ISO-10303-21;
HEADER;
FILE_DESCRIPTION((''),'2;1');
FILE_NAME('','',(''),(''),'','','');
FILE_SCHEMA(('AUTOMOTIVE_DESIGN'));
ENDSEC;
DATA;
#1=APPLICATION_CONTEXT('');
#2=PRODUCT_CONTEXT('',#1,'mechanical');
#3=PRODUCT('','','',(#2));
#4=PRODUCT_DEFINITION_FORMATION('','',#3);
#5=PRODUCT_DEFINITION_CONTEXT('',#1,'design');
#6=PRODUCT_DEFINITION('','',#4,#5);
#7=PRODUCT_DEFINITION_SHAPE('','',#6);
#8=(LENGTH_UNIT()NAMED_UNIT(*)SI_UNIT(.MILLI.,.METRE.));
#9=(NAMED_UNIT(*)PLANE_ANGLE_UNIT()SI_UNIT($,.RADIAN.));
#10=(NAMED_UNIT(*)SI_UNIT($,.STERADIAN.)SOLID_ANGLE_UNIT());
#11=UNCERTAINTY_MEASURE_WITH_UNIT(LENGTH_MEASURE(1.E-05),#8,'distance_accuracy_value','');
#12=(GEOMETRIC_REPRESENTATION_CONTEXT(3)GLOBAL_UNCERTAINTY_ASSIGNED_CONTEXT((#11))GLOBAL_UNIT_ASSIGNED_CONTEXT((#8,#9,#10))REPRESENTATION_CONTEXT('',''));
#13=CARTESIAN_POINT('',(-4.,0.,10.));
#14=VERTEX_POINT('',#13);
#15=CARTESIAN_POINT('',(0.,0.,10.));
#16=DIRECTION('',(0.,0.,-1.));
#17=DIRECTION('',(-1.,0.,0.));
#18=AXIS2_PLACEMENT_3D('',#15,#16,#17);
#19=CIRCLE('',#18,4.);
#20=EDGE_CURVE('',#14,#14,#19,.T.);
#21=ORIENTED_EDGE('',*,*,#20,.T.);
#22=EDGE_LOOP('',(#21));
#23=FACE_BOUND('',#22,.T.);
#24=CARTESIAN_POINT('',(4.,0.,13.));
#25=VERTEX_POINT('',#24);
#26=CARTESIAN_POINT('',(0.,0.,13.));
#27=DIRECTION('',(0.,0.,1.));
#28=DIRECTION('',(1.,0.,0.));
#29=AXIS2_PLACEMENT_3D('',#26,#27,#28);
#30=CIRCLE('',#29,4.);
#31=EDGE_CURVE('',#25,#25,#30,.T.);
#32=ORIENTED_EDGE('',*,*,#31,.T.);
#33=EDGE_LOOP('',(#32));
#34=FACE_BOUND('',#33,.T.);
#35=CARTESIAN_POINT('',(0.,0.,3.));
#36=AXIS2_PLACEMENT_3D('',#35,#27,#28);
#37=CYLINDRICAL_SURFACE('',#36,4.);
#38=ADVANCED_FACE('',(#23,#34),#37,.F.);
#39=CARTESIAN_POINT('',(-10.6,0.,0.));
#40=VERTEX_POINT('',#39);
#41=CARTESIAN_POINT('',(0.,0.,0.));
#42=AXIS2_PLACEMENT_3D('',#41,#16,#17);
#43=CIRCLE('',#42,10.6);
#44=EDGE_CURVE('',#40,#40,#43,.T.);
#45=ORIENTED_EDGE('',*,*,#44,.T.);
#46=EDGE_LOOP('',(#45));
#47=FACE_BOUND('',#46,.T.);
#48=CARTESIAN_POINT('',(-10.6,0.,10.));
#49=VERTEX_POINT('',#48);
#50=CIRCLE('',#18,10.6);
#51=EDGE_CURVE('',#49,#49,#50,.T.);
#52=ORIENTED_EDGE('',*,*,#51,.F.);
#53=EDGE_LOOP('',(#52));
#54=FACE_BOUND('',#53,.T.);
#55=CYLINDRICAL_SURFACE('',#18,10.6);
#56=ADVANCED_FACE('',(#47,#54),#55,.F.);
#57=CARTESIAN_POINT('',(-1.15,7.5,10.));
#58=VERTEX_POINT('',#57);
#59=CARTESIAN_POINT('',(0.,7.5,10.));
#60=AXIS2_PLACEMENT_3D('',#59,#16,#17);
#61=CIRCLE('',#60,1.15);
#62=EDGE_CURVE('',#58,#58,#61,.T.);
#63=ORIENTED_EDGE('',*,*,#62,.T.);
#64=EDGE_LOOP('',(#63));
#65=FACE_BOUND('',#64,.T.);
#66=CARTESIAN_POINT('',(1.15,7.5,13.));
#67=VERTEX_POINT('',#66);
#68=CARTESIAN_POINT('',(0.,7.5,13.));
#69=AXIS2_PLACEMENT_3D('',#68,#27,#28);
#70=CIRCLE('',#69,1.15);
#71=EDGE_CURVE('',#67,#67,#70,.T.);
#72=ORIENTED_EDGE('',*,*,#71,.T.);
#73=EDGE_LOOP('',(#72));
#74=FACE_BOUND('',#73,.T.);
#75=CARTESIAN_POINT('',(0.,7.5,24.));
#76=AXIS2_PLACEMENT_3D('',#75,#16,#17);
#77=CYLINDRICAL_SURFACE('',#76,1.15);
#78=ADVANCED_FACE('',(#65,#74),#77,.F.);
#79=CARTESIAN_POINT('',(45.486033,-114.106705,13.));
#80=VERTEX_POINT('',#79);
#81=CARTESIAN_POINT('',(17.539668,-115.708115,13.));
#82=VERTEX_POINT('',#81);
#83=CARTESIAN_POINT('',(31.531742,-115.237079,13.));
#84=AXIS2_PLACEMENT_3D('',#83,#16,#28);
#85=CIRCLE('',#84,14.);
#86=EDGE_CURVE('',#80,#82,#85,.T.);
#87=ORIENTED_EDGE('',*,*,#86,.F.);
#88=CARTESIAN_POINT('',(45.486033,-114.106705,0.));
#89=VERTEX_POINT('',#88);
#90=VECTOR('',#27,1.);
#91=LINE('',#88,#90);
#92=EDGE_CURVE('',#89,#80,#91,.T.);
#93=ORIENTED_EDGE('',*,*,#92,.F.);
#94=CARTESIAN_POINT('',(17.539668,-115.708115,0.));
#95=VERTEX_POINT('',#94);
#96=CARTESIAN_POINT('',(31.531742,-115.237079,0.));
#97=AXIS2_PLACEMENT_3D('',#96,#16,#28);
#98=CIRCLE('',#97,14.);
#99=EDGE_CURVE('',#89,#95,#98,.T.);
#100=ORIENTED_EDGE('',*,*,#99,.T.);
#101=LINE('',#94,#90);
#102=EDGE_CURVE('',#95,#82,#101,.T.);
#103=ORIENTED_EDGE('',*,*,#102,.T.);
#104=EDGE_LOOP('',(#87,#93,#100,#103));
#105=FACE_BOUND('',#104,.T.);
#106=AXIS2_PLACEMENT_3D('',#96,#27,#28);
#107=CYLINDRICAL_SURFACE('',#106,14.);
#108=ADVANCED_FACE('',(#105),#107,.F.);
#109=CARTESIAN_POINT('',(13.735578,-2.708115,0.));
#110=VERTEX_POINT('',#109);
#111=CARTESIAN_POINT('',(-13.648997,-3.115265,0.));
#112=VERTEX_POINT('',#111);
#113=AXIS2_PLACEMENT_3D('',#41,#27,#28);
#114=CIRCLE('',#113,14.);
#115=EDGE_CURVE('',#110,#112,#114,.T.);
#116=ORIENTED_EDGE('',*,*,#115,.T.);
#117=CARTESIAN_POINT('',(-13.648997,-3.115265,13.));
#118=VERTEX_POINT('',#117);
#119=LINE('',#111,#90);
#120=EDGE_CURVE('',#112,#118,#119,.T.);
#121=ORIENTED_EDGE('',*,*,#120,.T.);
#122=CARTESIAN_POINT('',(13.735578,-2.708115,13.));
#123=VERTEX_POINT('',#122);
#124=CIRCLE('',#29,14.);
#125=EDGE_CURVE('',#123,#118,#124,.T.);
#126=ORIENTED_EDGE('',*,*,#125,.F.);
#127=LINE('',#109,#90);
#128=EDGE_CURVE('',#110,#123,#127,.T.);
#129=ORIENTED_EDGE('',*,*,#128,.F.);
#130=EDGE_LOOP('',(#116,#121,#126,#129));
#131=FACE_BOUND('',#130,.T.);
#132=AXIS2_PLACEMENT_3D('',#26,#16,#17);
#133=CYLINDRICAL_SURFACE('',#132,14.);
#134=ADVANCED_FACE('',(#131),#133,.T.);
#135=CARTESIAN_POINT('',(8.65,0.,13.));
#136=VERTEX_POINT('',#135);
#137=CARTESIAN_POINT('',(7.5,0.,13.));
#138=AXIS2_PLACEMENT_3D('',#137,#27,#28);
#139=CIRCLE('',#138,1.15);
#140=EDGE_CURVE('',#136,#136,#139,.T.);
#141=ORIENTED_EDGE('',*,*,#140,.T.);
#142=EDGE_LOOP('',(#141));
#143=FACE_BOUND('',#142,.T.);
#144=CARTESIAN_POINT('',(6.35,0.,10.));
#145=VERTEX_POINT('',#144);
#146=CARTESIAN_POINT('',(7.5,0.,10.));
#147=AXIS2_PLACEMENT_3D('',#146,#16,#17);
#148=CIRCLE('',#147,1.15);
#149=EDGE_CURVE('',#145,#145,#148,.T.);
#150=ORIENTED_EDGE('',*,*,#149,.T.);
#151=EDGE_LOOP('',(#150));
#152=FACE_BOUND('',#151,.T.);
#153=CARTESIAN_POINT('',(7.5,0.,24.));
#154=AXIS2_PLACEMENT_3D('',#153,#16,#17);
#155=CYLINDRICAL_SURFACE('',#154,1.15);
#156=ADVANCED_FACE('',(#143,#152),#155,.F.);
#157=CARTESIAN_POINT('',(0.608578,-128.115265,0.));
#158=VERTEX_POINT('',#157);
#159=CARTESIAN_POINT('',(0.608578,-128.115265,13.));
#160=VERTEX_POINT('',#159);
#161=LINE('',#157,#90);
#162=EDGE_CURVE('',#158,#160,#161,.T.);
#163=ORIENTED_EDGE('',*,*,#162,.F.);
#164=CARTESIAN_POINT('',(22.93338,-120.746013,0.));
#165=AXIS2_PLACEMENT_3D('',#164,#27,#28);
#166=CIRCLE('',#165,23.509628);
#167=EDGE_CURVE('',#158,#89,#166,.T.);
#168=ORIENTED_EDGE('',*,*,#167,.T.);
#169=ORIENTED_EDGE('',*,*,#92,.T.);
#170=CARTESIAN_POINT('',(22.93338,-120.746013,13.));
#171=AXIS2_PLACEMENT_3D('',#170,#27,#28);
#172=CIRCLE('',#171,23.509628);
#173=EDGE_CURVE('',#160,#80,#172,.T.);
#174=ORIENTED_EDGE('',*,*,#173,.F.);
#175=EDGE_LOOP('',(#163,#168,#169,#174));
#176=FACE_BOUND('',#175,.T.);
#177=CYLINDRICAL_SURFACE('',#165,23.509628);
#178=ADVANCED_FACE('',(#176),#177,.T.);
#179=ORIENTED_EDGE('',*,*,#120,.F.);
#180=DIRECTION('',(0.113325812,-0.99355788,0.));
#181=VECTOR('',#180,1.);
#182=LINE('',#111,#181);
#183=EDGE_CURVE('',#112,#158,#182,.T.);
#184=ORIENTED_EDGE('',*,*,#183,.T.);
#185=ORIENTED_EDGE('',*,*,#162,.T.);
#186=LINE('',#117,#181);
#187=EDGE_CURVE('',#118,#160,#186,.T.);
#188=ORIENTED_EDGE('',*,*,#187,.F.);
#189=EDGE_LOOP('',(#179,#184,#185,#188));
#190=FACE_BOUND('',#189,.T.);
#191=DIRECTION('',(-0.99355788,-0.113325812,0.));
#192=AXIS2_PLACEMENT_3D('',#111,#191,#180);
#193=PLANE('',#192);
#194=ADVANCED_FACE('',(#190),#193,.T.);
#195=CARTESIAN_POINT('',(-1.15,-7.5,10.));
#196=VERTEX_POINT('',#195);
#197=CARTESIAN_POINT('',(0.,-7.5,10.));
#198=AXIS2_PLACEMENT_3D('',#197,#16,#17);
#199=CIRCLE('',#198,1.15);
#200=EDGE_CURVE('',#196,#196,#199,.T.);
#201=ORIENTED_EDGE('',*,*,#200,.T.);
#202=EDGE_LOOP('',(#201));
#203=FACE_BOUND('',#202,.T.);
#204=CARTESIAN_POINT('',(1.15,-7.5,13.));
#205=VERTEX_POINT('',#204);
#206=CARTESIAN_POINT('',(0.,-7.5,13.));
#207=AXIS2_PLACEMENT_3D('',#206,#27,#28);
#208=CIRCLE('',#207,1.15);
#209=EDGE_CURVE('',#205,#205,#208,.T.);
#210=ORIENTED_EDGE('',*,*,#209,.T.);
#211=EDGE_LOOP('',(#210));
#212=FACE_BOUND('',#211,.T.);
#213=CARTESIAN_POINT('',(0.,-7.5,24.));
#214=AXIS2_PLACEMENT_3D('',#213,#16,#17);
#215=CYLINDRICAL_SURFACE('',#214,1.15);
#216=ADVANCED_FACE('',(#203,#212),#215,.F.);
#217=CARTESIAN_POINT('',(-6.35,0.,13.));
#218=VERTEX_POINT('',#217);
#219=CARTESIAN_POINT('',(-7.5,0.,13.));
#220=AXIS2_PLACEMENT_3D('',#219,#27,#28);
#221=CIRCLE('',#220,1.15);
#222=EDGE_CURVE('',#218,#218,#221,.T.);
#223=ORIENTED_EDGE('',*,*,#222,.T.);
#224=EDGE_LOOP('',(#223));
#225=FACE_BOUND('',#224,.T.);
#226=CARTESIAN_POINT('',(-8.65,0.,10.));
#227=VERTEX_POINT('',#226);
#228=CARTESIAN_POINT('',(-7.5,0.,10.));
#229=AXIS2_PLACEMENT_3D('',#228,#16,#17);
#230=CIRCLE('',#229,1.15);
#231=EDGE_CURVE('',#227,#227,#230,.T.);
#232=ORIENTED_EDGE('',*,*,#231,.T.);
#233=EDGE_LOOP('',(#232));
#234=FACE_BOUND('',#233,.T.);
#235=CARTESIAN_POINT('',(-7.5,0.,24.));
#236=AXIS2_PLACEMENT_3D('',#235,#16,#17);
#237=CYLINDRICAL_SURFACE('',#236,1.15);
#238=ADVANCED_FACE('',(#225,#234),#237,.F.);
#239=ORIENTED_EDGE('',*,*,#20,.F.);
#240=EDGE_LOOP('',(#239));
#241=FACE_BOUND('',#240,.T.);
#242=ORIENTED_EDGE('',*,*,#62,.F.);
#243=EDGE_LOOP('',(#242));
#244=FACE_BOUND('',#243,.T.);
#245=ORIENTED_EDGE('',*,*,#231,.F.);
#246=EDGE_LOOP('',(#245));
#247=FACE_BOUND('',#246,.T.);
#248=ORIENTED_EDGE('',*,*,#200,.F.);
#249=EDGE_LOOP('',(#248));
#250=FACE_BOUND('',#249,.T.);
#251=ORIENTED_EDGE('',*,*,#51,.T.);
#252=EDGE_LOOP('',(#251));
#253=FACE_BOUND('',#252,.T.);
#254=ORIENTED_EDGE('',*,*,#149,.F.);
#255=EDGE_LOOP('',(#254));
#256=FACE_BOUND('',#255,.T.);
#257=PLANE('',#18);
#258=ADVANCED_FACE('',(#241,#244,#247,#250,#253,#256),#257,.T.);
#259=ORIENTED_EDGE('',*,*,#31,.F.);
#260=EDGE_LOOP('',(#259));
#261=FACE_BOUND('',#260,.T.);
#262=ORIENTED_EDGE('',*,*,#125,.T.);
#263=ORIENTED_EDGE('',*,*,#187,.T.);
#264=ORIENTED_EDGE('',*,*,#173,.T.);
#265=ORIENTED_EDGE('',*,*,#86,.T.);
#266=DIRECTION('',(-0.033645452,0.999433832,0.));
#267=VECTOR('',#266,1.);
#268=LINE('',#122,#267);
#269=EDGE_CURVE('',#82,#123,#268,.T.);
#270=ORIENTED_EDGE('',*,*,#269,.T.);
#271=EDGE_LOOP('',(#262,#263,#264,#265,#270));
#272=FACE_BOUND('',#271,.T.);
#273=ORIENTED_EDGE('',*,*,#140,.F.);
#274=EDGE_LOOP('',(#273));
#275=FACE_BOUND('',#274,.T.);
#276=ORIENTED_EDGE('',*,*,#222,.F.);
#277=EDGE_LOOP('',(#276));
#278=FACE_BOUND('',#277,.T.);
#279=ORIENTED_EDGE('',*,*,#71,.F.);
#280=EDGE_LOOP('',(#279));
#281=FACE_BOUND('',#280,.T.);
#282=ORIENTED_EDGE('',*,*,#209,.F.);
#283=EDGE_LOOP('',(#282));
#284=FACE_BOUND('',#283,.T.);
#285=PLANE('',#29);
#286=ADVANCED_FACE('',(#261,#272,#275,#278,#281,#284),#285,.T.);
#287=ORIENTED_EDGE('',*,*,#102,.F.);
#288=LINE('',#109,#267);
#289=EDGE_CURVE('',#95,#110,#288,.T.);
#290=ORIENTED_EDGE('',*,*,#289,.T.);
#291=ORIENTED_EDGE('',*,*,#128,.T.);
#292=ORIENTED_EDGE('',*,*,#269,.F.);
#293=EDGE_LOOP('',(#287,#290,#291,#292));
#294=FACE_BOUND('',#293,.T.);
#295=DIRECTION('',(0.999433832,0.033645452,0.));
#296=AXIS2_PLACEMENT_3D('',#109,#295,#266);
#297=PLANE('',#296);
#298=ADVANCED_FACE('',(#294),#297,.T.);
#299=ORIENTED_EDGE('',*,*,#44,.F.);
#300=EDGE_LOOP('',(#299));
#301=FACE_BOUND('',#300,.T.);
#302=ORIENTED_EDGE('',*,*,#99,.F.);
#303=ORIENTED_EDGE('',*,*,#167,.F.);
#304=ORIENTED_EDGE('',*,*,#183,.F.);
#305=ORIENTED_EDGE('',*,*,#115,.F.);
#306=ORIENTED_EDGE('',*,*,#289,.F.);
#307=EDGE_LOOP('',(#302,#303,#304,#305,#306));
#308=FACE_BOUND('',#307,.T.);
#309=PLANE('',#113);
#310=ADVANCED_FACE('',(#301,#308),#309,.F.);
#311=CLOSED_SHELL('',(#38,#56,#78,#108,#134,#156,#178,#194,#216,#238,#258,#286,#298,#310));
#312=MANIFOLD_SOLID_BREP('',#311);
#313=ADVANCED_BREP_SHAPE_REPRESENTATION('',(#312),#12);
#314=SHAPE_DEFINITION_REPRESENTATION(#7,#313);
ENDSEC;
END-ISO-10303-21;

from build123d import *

# Parameters (mm, degrees)
SKETCH_1_R          = 14
EXTRUDE_1_DEPTH     = 13
SKETCH_2_R          = 10.6
CUT_EXTRUDE_1_DEPTH = 10
SKETCH_3_R          = 4
CUT_EXTRUDE_2_DEPTH = 10
EXTRUDE_START       = -13
EXTRUDE_3_DEPTH     = 13
SKETCH_7_R          = 1.15
CUT_EXTRUDE_3_DEPTH = 14


with BuildPart() as part:
    # 스케치1 → 보스-돌출1 (new body)
    with BuildSketch(Plane.XY):
        with Locations(Location((0, 0, 0), (0, 0, 180))):
            Circle(SKETCH_1_R)
    extrude(amount=EXTRUDE_1_DEPTH)

    # 스케치2 → 컷-돌출1 (cut)
    with BuildSketch(Plane(origin=(0, 0, 0), x_dir=(-1, 0, 0), z_dir=(0, 0, -1))):
        Circle(SKETCH_2_R)
    extrude(amount=-CUT_EXTRUDE_1_DEPTH, mode=Mode.SUBTRACT)

    # 스케치3 → 컷-돌출2 (cut)
    with BuildSketch(Plane.XY.offset(13)):
        Circle(SKETCH_3_R)
    extrude(amount=-CUT_EXTRUDE_2_DEPTH, mode=Mode.SUBTRACT)

    # 스케치6 → 보스-돌출3 (add)
    with BuildSketch(Plane.XY.offset(13).offset(EXTRUDE_START)):
        with BuildLine():
            Line((13.735578357, -2.708115061), (17.539668143, -115.708115061))
            ThreePointArc((17.539668143, -115.708115061), (32.332669837, -129.214149758), (45.486033392, -114.10670459))
            ThreePointArc((45.486033392, -114.10670459), (29.938586036, -143.187708961), (0.608578272, -128.115264599))
            Line((0.608578272, -128.115264599), (-13.64899727, -3.115264599))
            ThreePointArc((-13.64899727, -3.115264599), (0.208126783, -13.998452887), (13.735578357, -2.708115061))
        make_face()
    extrude(amount=EXTRUDE_3_DEPTH)

    # 스케치7 → 컷-돌출3 (cut)
    with BuildSketch(Plane(origin=(0, 0, 10), x_dir=(-1, 0, 0), z_dir=(0, 0, -1))):
        with Locations((7.5, 0)):
            Circle(SKETCH_7_R)
        with Locations((0, -7.5)):
            Circle(SKETCH_7_R)
        with Locations((-7.5, 0)):
            Circle(SKETCH_7_R)
        with Locations((0, 7.5)):
            Circle(SKETCH_7_R)
    extrude(amount=-CUT_EXTRUDE_3_DEPTH, mode=Mode.SUBTRACT)


solid = part.part
